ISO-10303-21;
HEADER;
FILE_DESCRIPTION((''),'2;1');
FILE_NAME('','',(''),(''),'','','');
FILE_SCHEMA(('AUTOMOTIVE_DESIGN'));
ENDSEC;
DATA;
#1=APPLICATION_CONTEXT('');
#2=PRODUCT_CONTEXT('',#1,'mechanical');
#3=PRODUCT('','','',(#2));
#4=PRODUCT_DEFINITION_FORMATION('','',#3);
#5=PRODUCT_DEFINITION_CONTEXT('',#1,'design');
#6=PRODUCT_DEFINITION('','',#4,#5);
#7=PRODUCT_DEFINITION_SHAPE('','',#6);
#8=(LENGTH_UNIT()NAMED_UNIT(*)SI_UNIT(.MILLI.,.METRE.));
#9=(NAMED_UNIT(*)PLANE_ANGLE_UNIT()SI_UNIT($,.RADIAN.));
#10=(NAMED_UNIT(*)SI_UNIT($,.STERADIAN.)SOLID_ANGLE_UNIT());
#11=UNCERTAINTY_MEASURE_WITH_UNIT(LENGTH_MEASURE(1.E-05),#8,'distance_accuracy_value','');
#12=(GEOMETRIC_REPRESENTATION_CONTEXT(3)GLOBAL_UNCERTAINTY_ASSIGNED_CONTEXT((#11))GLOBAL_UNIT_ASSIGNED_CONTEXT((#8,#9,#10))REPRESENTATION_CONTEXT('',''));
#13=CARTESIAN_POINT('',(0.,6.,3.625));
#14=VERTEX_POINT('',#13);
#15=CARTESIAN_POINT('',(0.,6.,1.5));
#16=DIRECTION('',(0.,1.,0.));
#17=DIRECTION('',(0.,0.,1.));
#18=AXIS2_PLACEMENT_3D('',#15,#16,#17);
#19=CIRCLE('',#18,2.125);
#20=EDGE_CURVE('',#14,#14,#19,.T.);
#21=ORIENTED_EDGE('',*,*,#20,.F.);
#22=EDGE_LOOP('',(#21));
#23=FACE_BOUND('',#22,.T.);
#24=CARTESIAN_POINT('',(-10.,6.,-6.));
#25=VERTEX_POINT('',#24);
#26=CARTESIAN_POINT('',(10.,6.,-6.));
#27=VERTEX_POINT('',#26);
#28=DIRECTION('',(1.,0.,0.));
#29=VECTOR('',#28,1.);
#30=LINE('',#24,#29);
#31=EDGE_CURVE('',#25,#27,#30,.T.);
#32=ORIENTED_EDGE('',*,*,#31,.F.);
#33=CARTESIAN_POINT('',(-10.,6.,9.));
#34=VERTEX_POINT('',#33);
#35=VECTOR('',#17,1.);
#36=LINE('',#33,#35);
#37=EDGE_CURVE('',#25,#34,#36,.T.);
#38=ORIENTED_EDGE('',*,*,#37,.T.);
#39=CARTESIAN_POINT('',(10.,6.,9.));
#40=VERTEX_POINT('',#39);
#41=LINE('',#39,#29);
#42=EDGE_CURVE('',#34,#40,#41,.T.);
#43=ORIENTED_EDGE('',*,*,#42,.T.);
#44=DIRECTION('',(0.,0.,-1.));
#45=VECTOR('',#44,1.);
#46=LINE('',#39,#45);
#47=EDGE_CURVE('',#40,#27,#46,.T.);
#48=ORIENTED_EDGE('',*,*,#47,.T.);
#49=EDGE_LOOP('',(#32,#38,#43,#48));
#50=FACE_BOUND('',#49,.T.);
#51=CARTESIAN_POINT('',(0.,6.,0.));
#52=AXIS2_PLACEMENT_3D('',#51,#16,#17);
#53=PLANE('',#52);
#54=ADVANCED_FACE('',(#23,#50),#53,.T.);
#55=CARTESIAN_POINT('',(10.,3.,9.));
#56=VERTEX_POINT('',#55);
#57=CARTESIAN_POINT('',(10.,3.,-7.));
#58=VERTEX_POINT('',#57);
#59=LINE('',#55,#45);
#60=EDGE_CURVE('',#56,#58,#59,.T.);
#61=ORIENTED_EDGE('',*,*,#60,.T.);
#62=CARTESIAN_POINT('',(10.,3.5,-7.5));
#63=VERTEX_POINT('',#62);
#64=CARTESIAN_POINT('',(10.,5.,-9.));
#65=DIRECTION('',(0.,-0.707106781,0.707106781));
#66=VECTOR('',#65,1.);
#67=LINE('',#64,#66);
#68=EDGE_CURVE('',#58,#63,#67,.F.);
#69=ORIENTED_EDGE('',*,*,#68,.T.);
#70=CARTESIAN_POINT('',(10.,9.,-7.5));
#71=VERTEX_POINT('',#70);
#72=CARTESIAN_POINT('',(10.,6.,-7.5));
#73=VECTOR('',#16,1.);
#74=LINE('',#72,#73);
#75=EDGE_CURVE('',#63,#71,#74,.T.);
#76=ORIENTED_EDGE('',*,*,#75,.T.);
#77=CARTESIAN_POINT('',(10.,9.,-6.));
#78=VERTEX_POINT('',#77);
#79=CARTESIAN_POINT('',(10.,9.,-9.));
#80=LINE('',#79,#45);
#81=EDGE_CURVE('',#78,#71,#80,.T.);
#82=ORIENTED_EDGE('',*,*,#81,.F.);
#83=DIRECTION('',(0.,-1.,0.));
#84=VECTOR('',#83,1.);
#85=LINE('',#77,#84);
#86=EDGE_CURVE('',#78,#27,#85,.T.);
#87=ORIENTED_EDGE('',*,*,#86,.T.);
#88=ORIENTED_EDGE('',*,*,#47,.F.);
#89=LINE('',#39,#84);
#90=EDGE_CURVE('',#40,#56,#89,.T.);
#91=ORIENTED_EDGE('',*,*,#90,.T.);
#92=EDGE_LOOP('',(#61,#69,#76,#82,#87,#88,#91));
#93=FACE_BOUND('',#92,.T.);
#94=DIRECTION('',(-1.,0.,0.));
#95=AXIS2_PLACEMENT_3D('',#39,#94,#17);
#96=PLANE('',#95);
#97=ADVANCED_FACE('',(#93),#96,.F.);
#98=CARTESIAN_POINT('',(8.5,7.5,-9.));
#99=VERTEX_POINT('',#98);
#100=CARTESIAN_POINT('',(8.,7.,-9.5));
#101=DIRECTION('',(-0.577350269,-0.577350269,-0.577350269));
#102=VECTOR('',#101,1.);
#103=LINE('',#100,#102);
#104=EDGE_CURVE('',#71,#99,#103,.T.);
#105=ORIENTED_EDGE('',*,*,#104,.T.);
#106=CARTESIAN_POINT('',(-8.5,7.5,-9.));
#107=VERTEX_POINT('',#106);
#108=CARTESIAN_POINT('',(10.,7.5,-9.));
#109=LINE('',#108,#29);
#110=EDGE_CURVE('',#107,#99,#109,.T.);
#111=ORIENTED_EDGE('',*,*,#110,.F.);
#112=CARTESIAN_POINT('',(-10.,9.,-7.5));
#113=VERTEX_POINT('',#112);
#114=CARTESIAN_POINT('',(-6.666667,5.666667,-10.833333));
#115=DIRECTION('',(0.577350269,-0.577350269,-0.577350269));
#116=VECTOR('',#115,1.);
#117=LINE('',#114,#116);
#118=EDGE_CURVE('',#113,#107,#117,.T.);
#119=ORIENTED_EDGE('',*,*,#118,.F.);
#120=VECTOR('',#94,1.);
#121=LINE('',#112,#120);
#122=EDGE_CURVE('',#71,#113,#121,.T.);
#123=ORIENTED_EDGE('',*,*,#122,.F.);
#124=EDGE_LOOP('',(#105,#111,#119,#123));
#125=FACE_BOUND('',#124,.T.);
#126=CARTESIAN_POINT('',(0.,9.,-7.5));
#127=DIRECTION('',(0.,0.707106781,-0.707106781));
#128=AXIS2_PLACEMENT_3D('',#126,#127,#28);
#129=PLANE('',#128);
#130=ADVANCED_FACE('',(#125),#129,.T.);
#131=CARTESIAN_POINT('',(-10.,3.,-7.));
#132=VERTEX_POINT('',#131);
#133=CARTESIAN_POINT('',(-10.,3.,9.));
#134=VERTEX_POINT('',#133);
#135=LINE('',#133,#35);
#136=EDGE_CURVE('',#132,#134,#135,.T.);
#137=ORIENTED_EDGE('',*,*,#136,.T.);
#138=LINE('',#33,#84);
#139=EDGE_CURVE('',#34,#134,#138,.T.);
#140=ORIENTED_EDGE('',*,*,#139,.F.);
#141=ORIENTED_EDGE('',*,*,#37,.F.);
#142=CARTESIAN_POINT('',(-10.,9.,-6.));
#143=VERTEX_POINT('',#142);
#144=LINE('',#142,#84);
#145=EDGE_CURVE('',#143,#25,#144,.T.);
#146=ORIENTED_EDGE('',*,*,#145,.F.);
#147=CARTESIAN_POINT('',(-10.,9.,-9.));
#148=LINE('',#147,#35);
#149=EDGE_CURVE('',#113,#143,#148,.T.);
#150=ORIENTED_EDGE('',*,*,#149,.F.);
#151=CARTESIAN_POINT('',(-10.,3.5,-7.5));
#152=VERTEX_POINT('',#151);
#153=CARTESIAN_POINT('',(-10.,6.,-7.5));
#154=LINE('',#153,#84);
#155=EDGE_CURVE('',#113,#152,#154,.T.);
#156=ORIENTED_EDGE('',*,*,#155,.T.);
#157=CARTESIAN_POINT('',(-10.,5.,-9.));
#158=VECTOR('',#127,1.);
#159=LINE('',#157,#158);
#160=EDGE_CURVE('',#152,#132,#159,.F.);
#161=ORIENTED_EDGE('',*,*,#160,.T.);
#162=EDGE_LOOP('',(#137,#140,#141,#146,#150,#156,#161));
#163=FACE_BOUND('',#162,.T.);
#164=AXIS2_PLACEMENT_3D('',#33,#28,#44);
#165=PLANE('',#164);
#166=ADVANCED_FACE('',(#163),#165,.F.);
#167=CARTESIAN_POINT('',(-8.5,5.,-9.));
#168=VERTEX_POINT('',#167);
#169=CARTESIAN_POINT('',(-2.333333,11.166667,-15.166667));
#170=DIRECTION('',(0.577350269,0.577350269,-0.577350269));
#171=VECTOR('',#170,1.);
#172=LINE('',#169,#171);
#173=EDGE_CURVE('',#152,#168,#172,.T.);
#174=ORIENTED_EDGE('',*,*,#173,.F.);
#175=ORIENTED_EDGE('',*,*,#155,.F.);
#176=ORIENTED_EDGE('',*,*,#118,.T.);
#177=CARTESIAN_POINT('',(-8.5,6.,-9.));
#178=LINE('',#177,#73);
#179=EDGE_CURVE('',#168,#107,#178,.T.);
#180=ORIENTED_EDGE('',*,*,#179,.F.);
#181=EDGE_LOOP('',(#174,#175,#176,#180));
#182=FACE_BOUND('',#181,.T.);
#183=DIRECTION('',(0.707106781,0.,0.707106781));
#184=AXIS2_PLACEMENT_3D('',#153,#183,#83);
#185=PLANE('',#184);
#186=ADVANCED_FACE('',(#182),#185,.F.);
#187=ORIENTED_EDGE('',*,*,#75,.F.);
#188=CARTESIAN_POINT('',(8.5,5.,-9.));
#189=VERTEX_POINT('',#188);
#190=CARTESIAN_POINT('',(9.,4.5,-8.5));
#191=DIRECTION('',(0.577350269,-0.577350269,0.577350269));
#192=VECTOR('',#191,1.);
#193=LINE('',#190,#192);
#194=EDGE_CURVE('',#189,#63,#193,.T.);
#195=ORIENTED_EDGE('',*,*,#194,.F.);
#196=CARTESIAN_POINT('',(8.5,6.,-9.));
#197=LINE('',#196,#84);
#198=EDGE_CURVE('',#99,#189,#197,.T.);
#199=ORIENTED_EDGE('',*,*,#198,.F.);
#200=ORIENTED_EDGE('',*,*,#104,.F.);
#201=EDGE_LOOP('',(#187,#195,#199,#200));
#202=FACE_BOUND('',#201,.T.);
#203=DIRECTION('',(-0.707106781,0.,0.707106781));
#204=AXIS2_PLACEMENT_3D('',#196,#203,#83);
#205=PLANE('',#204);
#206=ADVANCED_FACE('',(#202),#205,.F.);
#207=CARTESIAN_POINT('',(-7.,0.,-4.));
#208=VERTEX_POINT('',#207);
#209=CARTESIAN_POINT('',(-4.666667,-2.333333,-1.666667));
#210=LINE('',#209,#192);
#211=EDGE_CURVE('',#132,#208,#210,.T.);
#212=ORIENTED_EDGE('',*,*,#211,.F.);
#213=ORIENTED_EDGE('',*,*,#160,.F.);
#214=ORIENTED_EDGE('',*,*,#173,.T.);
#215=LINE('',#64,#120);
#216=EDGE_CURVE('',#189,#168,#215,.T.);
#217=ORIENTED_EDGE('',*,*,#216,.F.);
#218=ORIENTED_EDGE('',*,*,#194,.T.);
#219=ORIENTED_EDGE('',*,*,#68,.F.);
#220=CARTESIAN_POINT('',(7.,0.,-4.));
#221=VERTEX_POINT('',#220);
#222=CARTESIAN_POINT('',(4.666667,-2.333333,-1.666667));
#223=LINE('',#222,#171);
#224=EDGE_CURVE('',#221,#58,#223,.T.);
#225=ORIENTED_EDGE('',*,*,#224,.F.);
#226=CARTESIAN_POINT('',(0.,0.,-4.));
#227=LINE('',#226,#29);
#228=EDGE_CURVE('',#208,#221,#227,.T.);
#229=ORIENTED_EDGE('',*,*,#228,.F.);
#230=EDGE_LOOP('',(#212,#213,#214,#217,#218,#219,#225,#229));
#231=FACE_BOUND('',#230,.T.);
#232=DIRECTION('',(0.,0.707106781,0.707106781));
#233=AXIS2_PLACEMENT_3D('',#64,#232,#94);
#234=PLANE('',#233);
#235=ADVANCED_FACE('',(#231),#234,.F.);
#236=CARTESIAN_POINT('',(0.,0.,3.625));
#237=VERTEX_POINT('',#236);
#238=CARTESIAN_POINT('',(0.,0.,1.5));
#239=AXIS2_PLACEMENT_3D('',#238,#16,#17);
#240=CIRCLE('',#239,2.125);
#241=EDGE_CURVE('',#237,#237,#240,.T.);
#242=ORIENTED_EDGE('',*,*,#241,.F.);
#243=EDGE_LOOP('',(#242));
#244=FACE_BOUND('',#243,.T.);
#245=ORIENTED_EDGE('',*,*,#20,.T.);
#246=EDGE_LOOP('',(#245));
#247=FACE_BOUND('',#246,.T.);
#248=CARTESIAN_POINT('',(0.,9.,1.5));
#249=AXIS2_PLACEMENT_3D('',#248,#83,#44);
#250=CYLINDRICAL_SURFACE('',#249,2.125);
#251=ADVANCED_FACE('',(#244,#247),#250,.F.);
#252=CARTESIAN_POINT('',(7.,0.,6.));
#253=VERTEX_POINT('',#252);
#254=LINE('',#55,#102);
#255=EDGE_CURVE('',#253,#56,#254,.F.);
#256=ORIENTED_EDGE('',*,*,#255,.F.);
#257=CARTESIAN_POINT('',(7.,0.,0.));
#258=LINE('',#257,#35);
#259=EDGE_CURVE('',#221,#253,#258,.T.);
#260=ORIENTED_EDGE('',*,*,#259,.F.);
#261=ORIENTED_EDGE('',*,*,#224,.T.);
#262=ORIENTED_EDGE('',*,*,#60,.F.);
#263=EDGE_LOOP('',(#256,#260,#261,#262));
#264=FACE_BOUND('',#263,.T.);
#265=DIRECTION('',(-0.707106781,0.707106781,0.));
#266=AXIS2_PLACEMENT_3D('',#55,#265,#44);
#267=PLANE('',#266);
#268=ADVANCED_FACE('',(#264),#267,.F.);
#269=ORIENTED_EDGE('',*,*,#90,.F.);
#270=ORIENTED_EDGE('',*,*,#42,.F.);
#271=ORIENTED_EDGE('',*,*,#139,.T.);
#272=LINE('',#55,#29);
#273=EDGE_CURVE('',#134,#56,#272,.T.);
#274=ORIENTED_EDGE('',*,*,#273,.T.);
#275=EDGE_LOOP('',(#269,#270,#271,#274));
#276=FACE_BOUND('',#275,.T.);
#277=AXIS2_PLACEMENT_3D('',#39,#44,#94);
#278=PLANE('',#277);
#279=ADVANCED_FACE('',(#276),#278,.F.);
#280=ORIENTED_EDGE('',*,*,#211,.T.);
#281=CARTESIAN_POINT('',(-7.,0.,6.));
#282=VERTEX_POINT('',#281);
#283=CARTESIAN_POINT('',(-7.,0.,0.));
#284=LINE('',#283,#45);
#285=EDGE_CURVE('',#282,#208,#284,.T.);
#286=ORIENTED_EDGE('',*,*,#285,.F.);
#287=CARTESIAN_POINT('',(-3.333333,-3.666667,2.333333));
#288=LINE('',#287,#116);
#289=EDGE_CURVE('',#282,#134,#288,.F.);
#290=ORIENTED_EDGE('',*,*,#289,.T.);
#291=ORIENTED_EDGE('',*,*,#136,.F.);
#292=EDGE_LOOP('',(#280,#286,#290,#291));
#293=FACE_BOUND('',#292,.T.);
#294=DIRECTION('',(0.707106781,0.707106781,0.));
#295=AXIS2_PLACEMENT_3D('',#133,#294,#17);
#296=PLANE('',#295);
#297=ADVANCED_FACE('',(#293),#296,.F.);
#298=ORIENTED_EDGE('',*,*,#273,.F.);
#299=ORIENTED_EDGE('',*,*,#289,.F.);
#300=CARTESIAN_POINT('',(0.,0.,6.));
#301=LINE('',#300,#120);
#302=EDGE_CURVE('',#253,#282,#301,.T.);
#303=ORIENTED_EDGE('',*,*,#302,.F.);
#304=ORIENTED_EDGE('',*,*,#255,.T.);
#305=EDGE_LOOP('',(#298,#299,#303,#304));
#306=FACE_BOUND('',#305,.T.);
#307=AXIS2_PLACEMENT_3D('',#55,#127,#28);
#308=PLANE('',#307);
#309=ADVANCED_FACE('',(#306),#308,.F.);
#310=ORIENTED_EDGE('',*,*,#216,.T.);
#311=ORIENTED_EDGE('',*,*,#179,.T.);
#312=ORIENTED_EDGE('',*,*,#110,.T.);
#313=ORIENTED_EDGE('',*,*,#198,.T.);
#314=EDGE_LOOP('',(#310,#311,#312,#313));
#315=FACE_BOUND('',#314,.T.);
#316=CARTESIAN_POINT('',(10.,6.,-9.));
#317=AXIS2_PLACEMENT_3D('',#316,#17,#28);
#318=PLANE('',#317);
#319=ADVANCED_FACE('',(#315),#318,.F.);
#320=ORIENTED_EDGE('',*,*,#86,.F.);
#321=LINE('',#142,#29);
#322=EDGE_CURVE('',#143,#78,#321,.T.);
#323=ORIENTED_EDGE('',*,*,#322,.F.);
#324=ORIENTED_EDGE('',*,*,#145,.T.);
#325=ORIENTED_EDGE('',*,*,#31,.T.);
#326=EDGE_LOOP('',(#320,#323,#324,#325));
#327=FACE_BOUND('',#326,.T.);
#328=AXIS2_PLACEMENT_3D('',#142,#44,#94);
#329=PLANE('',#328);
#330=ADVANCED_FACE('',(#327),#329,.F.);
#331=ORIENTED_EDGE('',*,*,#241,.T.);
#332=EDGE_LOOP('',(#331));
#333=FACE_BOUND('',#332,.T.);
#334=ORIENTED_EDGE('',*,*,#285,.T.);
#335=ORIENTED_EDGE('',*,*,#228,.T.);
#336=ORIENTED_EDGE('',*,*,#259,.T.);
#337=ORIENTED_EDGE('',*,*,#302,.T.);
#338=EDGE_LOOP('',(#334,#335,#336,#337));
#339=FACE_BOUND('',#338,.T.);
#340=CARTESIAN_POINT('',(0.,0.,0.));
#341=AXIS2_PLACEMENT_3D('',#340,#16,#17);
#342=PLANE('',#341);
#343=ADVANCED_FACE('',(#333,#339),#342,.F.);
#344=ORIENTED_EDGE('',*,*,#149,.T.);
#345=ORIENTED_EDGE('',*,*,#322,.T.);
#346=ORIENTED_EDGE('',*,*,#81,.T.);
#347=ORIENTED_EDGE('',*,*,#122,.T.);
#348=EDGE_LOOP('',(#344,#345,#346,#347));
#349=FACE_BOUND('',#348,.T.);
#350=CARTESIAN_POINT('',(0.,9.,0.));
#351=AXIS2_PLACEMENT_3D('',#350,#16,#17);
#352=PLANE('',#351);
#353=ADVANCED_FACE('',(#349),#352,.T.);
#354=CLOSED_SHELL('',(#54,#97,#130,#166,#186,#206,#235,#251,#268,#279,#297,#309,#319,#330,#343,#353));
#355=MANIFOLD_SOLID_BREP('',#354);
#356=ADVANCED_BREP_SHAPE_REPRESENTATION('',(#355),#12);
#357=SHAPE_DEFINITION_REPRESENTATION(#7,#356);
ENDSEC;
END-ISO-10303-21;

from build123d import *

# Parameters (mm, degrees)
SKETCH1_W               = 20
SKETCH1_H               = 18
BOSS_EXTRUDE1_DEPTH     = 6
SKETCH2_W               = 20
SKETCH2_H               = 3
BOSS_EXTRUDE2_DEPTH     = 3
SKETCH3_R               = 2.125
CUT_EXTRUDE1_DEPTH      = 1
CUT_EXTRUDE1_DEPTH_BACK = 10
CHAMFER1_SIZE           = 3
CHAMFER2_SIZE           = 5
CHAMFER3_SIZE           = 1.5


with BuildPart() as part:
    # Sketch1 → Boss-Extrude1 (new body)
    with BuildSketch(Plane(origin=(0, 0, 0), x_dir=(1, 0, 0), z_dir=(0, 1, 0))):
        Rectangle(SKETCH1_W, SKETCH1_H)
    extrude(amount=BOSS_EXTRUDE1_DEPTH)

    # Sketch2 → Boss-Extrude2 (add)
    with BuildSketch(Plane(origin=(0, 6, 0), x_dir=(1, 0, 0), z_dir=(0, 1, 0))):
        with Locations((0, 7.5)):
            Rectangle(SKETCH2_W, SKETCH2_H)
    extrude(amount=BOSS_EXTRUDE2_DEPTH)

    # Sketch3 → Cut-Extrude1 (cut, two sides)
    with BuildSketch(Plane.XZ) as cut_extrude1_sk:
        with Locations((0, 1.5)):
            Circle(SKETCH3_R)
    extrude(amount=CUT_EXTRUDE1_DEPTH, mode=Mode.SUBTRACT)
    extrude(cut_extrude1_sk.sketch, amount=-CUT_EXTRUDE1_DEPTH_BACK, mode=Mode.SUBTRACT)

    # Chamfer1
    chamfer1_edges = [part.edges().sort_by_distance(p)[0] for p in [
        (10, 0, 0),
        (0, 0, 9),
        (-10, 0, 0),
    ]]
    chamfer(chamfer1_edges, length=CHAMFER1_SIZE)

    # Chamfer2
    chamfer2_edges = [part.edges().sort_by_distance(p)[0] for p in [
        (0, 0, -9),
    ]]
    chamfer(chamfer2_edges, length=CHAMFER2_SIZE)

    # Chamfer3
    chamfer3_edges = [part.edges().sort_by_distance(p)[0] for p in [
        (0, 9, -9),
        (-10, 7, -9),
        (10, 7, -9),
    ]]
    chamfer(chamfer3_edges, length=CHAMFER3_SIZE)


solid = part.part
